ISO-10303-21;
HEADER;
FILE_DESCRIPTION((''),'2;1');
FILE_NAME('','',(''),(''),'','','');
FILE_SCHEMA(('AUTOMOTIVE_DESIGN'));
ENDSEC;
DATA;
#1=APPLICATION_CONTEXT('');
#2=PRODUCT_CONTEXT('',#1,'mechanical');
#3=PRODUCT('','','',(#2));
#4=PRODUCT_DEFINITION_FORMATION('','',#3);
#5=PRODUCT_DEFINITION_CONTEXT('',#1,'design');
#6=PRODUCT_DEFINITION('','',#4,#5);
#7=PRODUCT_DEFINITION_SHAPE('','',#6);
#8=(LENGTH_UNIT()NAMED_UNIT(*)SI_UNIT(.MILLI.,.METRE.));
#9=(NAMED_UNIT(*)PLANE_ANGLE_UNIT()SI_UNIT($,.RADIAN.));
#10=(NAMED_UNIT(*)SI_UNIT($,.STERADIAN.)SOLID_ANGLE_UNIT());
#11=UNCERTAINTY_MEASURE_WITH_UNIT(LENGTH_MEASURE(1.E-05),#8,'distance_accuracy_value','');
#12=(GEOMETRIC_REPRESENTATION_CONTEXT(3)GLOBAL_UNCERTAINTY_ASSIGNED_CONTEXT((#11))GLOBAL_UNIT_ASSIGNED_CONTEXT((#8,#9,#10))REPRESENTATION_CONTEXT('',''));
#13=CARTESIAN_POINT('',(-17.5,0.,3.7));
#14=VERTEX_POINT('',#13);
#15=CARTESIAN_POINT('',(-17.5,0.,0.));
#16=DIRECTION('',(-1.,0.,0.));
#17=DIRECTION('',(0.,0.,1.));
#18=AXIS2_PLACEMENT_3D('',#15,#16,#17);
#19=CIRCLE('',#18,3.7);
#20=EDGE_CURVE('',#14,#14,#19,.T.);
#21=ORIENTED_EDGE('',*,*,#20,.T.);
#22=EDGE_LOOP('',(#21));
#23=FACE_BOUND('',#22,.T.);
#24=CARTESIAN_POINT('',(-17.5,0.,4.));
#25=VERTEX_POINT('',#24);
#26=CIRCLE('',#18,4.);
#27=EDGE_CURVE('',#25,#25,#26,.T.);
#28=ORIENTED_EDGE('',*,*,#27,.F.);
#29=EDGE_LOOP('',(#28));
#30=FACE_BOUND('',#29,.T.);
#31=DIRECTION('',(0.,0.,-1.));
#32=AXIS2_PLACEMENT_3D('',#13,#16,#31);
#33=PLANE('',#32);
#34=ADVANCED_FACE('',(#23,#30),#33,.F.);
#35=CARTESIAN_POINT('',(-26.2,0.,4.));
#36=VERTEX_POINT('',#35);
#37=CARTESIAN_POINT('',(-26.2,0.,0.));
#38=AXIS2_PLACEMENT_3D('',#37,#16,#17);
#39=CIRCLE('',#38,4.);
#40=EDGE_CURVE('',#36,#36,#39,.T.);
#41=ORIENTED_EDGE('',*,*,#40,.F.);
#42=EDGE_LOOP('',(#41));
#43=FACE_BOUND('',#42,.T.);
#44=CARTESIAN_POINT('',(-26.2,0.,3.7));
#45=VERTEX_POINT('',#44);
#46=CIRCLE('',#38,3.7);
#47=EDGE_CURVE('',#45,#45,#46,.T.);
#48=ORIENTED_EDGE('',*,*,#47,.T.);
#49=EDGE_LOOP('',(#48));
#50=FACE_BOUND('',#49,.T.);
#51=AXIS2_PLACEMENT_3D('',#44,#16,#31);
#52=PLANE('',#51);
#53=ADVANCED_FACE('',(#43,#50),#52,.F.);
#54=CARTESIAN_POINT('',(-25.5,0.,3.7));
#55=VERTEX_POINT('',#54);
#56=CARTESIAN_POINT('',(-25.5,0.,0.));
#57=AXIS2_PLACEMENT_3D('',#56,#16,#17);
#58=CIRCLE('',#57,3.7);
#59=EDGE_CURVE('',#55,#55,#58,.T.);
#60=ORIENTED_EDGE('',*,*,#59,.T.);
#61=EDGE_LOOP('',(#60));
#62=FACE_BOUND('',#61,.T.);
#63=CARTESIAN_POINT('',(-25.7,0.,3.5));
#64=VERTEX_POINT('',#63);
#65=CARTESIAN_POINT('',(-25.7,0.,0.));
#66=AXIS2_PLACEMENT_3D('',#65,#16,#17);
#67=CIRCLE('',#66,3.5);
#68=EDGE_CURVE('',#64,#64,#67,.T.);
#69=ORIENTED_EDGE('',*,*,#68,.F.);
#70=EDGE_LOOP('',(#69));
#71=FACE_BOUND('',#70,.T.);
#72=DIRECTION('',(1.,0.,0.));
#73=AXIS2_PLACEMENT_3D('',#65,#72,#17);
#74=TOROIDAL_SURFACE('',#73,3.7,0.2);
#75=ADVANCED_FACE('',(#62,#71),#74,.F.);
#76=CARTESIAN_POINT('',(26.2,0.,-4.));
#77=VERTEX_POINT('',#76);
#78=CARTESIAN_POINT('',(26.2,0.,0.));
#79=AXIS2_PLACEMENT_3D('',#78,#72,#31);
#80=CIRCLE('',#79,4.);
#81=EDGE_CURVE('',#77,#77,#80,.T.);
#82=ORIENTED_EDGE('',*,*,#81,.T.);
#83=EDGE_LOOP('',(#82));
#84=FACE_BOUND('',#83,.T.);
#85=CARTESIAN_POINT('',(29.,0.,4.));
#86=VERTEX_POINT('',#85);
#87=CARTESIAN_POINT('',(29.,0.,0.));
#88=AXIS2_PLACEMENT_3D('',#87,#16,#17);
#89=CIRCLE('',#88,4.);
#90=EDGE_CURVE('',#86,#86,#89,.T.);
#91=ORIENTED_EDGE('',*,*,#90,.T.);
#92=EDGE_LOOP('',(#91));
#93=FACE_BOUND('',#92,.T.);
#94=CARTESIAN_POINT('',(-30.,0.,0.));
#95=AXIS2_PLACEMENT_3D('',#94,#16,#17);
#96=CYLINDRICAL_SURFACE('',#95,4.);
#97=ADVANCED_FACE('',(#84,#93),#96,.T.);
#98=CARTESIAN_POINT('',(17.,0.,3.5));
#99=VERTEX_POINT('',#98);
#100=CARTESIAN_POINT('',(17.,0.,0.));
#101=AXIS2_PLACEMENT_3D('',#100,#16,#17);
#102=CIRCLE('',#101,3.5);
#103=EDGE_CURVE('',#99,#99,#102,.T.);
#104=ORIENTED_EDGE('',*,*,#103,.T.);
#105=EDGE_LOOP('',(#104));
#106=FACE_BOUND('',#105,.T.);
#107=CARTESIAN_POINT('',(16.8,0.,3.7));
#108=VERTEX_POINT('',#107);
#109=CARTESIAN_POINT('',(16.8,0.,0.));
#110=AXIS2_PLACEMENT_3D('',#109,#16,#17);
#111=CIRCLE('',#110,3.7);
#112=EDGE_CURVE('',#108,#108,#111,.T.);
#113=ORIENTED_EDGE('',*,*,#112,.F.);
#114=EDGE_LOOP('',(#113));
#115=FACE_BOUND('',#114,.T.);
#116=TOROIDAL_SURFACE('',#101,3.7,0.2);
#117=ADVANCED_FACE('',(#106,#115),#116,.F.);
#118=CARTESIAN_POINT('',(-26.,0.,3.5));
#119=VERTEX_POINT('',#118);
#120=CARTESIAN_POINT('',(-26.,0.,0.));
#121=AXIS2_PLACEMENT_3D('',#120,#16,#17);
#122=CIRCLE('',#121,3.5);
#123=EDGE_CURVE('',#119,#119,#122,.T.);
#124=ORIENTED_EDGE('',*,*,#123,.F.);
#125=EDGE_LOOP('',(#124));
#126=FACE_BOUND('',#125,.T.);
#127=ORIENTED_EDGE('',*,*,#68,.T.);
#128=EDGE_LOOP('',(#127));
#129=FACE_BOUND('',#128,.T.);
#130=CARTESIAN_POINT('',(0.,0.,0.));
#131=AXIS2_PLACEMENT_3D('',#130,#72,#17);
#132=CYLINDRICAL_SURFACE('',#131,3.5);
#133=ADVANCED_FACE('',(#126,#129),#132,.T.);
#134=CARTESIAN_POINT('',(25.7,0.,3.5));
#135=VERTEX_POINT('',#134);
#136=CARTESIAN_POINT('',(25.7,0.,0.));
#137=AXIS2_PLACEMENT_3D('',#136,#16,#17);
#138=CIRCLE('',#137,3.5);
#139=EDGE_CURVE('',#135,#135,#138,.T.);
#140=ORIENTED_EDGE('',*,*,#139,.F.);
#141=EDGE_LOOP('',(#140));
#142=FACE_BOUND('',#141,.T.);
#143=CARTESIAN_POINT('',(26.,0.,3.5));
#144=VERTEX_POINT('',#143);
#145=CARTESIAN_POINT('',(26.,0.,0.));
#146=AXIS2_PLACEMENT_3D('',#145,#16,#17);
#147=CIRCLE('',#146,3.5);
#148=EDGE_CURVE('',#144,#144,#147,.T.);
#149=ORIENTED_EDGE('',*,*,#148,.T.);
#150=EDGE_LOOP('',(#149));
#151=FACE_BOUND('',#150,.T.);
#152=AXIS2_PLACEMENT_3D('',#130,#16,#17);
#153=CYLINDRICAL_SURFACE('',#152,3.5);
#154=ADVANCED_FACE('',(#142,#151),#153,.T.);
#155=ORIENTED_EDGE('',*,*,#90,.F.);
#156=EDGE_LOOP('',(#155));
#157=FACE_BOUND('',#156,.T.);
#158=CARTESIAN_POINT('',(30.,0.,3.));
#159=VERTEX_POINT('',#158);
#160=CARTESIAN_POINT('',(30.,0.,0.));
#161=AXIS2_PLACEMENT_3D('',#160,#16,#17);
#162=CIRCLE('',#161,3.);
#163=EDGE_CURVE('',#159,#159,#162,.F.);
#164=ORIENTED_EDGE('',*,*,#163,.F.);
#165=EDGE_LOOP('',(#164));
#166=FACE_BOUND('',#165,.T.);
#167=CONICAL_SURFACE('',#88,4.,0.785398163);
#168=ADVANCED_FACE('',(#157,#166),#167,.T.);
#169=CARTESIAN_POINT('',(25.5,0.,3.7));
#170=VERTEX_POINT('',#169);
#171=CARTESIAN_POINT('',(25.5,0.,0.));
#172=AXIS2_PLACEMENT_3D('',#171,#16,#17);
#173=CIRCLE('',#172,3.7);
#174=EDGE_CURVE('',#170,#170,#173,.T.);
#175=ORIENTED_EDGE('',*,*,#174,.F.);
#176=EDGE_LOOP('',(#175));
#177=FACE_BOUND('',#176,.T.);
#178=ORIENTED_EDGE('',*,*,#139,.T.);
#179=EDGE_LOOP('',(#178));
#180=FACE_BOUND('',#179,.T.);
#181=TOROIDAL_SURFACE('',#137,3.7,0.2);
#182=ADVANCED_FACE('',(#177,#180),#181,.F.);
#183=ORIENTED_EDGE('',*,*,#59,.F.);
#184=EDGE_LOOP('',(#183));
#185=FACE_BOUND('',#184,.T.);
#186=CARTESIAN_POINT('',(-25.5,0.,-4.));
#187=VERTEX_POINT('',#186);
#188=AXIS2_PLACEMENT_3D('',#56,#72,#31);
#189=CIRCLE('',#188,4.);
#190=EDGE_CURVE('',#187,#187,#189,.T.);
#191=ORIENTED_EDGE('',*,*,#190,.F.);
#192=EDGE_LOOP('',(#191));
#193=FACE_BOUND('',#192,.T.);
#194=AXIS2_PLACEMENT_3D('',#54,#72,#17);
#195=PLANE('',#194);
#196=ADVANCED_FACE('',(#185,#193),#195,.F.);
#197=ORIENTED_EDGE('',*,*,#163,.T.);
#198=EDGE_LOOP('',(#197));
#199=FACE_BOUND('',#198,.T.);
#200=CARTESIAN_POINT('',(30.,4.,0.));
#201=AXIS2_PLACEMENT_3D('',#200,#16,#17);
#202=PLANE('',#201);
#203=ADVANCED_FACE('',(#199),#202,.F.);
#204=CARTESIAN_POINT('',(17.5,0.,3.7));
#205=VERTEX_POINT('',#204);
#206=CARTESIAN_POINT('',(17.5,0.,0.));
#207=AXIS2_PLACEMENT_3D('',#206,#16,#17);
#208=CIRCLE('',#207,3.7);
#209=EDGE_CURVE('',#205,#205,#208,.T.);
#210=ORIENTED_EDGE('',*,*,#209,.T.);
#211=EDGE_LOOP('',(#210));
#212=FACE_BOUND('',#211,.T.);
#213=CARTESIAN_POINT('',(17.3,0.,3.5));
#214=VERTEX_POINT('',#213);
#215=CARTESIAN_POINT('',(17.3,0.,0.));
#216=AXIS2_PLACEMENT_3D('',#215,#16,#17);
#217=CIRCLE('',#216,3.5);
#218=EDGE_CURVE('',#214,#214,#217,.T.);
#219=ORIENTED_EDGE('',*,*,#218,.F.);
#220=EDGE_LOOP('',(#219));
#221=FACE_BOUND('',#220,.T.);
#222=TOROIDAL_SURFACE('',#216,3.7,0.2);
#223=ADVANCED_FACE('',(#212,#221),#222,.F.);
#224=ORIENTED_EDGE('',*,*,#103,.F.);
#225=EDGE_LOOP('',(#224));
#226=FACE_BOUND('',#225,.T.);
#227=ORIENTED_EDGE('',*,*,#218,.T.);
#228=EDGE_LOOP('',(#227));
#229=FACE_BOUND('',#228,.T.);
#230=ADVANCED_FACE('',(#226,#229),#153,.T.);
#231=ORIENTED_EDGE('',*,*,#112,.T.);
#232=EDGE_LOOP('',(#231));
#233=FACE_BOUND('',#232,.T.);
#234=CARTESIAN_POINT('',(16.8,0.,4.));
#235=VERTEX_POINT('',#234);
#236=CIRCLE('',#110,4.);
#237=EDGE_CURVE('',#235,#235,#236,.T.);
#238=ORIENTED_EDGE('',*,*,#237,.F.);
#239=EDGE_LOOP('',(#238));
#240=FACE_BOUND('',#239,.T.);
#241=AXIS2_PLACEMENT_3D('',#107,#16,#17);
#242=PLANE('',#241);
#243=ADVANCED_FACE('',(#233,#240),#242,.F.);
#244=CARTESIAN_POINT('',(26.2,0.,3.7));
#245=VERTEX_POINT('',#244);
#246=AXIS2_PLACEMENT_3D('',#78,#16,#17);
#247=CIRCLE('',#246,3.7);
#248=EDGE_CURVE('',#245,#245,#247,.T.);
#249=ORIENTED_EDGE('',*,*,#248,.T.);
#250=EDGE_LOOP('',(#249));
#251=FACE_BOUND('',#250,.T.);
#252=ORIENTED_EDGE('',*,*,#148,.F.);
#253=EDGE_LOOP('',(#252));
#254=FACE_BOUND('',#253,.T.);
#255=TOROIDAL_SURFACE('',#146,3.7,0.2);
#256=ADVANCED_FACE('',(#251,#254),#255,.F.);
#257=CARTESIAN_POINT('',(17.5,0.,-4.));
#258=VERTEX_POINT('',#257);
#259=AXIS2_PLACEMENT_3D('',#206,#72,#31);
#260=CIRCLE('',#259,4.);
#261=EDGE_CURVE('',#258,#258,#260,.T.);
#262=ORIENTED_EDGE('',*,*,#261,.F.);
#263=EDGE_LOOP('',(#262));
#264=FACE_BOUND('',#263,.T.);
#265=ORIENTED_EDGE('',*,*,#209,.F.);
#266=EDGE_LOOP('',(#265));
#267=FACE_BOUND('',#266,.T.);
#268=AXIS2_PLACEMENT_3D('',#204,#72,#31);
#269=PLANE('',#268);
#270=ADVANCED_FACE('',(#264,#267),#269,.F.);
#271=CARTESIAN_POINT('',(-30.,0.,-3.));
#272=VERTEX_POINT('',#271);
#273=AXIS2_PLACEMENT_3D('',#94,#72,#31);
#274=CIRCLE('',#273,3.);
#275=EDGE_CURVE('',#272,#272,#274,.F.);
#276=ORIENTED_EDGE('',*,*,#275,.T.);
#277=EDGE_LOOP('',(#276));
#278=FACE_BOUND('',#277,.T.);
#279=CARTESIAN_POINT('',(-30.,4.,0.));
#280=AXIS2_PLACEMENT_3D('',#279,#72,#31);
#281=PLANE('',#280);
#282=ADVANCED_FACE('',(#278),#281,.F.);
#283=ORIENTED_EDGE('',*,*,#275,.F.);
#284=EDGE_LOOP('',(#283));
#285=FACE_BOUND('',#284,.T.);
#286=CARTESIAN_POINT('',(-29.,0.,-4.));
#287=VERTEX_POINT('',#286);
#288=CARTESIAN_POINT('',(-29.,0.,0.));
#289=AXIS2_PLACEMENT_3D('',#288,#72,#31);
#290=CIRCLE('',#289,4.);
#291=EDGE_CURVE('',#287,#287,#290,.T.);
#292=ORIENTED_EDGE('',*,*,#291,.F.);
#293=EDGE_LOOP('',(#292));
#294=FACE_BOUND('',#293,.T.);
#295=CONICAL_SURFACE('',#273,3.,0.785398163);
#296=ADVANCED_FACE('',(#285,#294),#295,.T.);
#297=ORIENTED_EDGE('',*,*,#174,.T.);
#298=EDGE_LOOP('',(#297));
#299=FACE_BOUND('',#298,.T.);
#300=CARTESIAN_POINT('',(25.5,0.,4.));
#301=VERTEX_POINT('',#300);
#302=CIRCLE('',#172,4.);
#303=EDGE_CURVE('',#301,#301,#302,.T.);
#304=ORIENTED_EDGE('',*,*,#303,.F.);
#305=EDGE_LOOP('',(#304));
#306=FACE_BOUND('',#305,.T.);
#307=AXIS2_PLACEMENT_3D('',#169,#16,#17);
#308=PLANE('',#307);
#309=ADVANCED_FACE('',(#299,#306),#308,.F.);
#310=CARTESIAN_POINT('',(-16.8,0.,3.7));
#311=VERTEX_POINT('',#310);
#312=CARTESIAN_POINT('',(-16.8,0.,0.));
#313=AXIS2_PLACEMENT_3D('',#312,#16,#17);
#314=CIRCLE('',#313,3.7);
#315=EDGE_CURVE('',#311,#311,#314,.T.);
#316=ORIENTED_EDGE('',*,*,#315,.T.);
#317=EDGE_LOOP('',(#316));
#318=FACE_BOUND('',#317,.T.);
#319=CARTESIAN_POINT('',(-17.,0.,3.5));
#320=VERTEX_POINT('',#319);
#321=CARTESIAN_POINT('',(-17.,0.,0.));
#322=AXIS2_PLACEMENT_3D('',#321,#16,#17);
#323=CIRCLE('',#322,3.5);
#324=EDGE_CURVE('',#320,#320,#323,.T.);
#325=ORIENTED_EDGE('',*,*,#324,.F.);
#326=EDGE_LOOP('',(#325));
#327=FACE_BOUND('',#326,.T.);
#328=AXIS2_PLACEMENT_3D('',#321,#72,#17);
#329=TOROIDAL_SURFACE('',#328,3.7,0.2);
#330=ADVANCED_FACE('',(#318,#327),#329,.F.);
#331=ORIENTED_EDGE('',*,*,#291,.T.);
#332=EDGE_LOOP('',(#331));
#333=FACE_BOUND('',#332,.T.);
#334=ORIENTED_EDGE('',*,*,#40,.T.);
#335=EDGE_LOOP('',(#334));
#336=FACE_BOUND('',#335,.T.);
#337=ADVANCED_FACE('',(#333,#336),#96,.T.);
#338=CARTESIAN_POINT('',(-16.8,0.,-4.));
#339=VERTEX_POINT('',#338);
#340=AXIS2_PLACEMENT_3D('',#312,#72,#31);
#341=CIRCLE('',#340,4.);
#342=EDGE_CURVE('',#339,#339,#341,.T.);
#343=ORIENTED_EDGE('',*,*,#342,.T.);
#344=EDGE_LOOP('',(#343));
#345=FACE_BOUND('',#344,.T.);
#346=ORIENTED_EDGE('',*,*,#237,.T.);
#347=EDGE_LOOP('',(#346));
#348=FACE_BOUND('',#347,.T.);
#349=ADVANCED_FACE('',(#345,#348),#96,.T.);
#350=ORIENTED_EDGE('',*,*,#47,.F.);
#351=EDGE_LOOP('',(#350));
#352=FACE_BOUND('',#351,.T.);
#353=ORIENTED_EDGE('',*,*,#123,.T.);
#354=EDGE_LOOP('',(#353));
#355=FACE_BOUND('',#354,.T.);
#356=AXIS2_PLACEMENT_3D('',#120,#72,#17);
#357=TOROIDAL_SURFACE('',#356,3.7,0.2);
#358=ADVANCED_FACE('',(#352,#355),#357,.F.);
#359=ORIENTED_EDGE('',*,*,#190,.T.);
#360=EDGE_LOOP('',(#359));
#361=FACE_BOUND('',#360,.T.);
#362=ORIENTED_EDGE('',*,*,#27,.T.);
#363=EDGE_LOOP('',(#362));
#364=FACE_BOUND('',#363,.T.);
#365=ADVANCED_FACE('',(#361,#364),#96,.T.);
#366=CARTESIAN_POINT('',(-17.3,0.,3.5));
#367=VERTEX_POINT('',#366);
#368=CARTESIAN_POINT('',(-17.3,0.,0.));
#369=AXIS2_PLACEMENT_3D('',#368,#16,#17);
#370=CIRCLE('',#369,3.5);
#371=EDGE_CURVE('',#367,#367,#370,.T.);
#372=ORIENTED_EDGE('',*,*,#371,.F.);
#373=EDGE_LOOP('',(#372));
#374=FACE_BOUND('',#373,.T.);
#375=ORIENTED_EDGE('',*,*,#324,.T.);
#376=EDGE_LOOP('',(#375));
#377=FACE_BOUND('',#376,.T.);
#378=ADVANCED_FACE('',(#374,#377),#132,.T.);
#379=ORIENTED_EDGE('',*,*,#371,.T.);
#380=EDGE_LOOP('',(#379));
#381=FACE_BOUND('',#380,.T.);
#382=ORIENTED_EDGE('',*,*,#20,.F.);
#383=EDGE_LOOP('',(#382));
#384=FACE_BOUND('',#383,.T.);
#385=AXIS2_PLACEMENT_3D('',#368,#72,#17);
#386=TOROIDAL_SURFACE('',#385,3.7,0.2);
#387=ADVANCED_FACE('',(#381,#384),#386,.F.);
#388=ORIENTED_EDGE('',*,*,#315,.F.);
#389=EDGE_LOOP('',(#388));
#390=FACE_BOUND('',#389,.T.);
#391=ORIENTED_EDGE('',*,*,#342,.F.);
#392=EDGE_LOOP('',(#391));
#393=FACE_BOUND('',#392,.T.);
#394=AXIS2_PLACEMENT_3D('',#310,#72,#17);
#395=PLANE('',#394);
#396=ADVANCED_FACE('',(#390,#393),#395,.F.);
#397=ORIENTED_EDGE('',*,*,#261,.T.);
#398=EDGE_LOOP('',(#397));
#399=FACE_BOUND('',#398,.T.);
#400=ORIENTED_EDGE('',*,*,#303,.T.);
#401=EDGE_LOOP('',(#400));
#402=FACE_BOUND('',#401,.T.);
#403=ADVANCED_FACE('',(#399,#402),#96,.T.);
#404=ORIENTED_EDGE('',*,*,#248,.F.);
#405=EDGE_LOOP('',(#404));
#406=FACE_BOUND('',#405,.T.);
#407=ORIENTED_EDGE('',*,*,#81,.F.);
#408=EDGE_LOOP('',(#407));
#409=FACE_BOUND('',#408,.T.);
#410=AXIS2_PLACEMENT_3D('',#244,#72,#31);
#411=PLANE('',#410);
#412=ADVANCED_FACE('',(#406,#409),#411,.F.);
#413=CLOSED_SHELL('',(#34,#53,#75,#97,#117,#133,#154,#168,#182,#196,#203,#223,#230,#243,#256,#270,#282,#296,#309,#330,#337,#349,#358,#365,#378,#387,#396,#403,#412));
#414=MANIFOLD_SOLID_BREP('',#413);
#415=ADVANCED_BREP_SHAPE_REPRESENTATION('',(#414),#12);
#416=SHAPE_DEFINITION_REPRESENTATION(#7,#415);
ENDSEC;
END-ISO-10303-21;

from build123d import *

# Parameters (mm, degrees)
SKETCH1_W     = 60
SKETCH1_H     = 4
CHAMFER1_SIZE = 1


with BuildPart() as part:
    # Sketch1 → Revolve1 (revolve)
    with BuildSketch(Plane.XY, mode=Mode.PRIVATE) as revolve1_sk:
        with Locations((0, 2)):
            Rectangle(SKETCH1_W, SKETCH1_H)
    revolve(revolve1_sk.sketch.rotate(Axis((-30, 0, 0), (1, 0, 0)), 90), axis=Axis((-30, 0, 0), (1, 0, 0)))

    # Chamfer1
    chamfer1_edges = [part.edges().sort_by_distance(p)[0] for p in [
        (-30, 0, -4),
        (30, 0, -4),
    ]]
    chamfer(chamfer1_edges, length=CHAMFER1_SIZE)

    # Sketch2 → Cut-Revolve1 (revolve, cut)
    with BuildSketch(Plane(origin=(0, 0, 0), x_dir=(1, 0, 0), z_dir=(0, 1, 0))):
        with BuildLine():
            Line((25.7, -3.5), (26, -3.5))
            ThreePointArc((26, -3.5), (26.141421356, -3.558578644), (26.2, -3.7))
            Line((26.2, -3.7), (26.2, -4.8))
            Line((26.2, -4.8), (25.5, -4.8))
            Line((25.5, -4.8), (25.5, -3.7))
            ThreePointArc((25.5, -3.7), (25.558578644, -3.558578644), (25.7, -3.5))
        make_face()
        with BuildLine():
            Line((17, -3.5), (17.3, -3.5))
            ThreePointArc((17.3, -3.5), (17.441421356, -3.558578644), (17.5, -3.7))
            Line((17.5, -3.7), (17.5, -4.8))
            Line((17.5, -4.8), (16.8, -4.8))
            Line((16.8, -4.8), (16.8, -3.7))
            ThreePointArc((16.8, -3.7), (16.858578644, -3.558578644), (17, -3.5))
        make_face()
    cut_revolve1 = revolve(axis=Axis((0, 0, 0), (1, 0, 0)), mode=Mode.SUBTRACT)

    # Mirror1: Cut-Revolve1 across plane
    add(cut_revolve1.mirror(Plane(origin=(0, 0, 0), x_dir=(0, 0, 1), z_dir=(1, 0, 0))), mode=Mode.SUBTRACT)


solid = part.part
